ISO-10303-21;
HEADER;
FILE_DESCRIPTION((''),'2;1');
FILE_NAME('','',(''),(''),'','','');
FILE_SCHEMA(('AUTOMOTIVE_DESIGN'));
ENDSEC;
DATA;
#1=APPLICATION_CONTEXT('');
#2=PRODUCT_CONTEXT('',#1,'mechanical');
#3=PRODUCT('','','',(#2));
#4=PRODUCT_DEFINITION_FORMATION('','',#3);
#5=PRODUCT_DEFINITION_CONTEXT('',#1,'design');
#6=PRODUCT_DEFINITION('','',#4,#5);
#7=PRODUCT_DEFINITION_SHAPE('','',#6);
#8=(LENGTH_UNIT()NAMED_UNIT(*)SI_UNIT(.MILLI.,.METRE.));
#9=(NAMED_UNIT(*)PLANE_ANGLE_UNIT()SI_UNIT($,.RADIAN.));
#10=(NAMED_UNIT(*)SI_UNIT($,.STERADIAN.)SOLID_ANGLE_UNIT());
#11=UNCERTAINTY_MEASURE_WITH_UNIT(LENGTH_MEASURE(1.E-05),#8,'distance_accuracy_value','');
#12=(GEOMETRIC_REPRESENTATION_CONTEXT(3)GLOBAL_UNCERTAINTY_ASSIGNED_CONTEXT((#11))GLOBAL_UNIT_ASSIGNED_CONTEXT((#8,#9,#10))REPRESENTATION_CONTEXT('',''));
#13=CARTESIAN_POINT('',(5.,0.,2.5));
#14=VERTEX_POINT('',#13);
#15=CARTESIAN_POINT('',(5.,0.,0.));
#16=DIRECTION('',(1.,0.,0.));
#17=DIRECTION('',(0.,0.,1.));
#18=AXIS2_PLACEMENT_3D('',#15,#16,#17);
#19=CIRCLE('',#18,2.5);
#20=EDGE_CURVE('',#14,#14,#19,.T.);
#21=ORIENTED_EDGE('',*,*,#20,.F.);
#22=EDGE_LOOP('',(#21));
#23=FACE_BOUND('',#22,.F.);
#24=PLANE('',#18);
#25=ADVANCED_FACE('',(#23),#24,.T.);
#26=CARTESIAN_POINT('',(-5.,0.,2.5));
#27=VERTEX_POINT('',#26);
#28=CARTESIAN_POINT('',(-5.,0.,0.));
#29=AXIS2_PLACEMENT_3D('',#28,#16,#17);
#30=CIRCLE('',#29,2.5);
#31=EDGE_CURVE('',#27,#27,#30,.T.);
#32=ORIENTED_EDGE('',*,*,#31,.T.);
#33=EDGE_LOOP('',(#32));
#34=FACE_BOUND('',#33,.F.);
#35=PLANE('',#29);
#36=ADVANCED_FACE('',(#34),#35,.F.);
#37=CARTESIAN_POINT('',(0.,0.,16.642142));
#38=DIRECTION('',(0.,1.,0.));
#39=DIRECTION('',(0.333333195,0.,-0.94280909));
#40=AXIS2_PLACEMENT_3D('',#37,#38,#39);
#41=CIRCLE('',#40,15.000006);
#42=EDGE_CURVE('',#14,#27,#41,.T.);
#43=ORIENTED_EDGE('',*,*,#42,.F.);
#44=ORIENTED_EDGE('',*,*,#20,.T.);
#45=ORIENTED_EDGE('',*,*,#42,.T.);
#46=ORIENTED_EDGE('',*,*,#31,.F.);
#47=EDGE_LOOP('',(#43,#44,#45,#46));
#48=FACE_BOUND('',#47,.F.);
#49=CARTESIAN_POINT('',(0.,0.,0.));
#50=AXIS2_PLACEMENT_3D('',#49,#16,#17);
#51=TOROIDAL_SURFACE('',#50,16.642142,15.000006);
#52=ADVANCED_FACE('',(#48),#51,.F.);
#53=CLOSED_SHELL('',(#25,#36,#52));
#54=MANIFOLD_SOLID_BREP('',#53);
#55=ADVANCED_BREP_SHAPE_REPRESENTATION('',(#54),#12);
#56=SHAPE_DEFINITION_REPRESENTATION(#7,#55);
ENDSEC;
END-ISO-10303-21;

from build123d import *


with BuildPart() as f1:
    # F0 (on Front) → F1 (revolve)
    with BuildSketch(Plane.XZ):
        with BuildLine():
            ThreePointArc((5, 2.5), (0, 1.642136), (-5, 2.5))
            Line((-5, 2.5), (-5, 0))
            Line((-5, 0), (5, 0))
            Line((5, 0), (5, 2.5))
        make_face()
    revolve(axis=Axis((0, 0, 0), (1, 0, 0)))


solid = f1.part
